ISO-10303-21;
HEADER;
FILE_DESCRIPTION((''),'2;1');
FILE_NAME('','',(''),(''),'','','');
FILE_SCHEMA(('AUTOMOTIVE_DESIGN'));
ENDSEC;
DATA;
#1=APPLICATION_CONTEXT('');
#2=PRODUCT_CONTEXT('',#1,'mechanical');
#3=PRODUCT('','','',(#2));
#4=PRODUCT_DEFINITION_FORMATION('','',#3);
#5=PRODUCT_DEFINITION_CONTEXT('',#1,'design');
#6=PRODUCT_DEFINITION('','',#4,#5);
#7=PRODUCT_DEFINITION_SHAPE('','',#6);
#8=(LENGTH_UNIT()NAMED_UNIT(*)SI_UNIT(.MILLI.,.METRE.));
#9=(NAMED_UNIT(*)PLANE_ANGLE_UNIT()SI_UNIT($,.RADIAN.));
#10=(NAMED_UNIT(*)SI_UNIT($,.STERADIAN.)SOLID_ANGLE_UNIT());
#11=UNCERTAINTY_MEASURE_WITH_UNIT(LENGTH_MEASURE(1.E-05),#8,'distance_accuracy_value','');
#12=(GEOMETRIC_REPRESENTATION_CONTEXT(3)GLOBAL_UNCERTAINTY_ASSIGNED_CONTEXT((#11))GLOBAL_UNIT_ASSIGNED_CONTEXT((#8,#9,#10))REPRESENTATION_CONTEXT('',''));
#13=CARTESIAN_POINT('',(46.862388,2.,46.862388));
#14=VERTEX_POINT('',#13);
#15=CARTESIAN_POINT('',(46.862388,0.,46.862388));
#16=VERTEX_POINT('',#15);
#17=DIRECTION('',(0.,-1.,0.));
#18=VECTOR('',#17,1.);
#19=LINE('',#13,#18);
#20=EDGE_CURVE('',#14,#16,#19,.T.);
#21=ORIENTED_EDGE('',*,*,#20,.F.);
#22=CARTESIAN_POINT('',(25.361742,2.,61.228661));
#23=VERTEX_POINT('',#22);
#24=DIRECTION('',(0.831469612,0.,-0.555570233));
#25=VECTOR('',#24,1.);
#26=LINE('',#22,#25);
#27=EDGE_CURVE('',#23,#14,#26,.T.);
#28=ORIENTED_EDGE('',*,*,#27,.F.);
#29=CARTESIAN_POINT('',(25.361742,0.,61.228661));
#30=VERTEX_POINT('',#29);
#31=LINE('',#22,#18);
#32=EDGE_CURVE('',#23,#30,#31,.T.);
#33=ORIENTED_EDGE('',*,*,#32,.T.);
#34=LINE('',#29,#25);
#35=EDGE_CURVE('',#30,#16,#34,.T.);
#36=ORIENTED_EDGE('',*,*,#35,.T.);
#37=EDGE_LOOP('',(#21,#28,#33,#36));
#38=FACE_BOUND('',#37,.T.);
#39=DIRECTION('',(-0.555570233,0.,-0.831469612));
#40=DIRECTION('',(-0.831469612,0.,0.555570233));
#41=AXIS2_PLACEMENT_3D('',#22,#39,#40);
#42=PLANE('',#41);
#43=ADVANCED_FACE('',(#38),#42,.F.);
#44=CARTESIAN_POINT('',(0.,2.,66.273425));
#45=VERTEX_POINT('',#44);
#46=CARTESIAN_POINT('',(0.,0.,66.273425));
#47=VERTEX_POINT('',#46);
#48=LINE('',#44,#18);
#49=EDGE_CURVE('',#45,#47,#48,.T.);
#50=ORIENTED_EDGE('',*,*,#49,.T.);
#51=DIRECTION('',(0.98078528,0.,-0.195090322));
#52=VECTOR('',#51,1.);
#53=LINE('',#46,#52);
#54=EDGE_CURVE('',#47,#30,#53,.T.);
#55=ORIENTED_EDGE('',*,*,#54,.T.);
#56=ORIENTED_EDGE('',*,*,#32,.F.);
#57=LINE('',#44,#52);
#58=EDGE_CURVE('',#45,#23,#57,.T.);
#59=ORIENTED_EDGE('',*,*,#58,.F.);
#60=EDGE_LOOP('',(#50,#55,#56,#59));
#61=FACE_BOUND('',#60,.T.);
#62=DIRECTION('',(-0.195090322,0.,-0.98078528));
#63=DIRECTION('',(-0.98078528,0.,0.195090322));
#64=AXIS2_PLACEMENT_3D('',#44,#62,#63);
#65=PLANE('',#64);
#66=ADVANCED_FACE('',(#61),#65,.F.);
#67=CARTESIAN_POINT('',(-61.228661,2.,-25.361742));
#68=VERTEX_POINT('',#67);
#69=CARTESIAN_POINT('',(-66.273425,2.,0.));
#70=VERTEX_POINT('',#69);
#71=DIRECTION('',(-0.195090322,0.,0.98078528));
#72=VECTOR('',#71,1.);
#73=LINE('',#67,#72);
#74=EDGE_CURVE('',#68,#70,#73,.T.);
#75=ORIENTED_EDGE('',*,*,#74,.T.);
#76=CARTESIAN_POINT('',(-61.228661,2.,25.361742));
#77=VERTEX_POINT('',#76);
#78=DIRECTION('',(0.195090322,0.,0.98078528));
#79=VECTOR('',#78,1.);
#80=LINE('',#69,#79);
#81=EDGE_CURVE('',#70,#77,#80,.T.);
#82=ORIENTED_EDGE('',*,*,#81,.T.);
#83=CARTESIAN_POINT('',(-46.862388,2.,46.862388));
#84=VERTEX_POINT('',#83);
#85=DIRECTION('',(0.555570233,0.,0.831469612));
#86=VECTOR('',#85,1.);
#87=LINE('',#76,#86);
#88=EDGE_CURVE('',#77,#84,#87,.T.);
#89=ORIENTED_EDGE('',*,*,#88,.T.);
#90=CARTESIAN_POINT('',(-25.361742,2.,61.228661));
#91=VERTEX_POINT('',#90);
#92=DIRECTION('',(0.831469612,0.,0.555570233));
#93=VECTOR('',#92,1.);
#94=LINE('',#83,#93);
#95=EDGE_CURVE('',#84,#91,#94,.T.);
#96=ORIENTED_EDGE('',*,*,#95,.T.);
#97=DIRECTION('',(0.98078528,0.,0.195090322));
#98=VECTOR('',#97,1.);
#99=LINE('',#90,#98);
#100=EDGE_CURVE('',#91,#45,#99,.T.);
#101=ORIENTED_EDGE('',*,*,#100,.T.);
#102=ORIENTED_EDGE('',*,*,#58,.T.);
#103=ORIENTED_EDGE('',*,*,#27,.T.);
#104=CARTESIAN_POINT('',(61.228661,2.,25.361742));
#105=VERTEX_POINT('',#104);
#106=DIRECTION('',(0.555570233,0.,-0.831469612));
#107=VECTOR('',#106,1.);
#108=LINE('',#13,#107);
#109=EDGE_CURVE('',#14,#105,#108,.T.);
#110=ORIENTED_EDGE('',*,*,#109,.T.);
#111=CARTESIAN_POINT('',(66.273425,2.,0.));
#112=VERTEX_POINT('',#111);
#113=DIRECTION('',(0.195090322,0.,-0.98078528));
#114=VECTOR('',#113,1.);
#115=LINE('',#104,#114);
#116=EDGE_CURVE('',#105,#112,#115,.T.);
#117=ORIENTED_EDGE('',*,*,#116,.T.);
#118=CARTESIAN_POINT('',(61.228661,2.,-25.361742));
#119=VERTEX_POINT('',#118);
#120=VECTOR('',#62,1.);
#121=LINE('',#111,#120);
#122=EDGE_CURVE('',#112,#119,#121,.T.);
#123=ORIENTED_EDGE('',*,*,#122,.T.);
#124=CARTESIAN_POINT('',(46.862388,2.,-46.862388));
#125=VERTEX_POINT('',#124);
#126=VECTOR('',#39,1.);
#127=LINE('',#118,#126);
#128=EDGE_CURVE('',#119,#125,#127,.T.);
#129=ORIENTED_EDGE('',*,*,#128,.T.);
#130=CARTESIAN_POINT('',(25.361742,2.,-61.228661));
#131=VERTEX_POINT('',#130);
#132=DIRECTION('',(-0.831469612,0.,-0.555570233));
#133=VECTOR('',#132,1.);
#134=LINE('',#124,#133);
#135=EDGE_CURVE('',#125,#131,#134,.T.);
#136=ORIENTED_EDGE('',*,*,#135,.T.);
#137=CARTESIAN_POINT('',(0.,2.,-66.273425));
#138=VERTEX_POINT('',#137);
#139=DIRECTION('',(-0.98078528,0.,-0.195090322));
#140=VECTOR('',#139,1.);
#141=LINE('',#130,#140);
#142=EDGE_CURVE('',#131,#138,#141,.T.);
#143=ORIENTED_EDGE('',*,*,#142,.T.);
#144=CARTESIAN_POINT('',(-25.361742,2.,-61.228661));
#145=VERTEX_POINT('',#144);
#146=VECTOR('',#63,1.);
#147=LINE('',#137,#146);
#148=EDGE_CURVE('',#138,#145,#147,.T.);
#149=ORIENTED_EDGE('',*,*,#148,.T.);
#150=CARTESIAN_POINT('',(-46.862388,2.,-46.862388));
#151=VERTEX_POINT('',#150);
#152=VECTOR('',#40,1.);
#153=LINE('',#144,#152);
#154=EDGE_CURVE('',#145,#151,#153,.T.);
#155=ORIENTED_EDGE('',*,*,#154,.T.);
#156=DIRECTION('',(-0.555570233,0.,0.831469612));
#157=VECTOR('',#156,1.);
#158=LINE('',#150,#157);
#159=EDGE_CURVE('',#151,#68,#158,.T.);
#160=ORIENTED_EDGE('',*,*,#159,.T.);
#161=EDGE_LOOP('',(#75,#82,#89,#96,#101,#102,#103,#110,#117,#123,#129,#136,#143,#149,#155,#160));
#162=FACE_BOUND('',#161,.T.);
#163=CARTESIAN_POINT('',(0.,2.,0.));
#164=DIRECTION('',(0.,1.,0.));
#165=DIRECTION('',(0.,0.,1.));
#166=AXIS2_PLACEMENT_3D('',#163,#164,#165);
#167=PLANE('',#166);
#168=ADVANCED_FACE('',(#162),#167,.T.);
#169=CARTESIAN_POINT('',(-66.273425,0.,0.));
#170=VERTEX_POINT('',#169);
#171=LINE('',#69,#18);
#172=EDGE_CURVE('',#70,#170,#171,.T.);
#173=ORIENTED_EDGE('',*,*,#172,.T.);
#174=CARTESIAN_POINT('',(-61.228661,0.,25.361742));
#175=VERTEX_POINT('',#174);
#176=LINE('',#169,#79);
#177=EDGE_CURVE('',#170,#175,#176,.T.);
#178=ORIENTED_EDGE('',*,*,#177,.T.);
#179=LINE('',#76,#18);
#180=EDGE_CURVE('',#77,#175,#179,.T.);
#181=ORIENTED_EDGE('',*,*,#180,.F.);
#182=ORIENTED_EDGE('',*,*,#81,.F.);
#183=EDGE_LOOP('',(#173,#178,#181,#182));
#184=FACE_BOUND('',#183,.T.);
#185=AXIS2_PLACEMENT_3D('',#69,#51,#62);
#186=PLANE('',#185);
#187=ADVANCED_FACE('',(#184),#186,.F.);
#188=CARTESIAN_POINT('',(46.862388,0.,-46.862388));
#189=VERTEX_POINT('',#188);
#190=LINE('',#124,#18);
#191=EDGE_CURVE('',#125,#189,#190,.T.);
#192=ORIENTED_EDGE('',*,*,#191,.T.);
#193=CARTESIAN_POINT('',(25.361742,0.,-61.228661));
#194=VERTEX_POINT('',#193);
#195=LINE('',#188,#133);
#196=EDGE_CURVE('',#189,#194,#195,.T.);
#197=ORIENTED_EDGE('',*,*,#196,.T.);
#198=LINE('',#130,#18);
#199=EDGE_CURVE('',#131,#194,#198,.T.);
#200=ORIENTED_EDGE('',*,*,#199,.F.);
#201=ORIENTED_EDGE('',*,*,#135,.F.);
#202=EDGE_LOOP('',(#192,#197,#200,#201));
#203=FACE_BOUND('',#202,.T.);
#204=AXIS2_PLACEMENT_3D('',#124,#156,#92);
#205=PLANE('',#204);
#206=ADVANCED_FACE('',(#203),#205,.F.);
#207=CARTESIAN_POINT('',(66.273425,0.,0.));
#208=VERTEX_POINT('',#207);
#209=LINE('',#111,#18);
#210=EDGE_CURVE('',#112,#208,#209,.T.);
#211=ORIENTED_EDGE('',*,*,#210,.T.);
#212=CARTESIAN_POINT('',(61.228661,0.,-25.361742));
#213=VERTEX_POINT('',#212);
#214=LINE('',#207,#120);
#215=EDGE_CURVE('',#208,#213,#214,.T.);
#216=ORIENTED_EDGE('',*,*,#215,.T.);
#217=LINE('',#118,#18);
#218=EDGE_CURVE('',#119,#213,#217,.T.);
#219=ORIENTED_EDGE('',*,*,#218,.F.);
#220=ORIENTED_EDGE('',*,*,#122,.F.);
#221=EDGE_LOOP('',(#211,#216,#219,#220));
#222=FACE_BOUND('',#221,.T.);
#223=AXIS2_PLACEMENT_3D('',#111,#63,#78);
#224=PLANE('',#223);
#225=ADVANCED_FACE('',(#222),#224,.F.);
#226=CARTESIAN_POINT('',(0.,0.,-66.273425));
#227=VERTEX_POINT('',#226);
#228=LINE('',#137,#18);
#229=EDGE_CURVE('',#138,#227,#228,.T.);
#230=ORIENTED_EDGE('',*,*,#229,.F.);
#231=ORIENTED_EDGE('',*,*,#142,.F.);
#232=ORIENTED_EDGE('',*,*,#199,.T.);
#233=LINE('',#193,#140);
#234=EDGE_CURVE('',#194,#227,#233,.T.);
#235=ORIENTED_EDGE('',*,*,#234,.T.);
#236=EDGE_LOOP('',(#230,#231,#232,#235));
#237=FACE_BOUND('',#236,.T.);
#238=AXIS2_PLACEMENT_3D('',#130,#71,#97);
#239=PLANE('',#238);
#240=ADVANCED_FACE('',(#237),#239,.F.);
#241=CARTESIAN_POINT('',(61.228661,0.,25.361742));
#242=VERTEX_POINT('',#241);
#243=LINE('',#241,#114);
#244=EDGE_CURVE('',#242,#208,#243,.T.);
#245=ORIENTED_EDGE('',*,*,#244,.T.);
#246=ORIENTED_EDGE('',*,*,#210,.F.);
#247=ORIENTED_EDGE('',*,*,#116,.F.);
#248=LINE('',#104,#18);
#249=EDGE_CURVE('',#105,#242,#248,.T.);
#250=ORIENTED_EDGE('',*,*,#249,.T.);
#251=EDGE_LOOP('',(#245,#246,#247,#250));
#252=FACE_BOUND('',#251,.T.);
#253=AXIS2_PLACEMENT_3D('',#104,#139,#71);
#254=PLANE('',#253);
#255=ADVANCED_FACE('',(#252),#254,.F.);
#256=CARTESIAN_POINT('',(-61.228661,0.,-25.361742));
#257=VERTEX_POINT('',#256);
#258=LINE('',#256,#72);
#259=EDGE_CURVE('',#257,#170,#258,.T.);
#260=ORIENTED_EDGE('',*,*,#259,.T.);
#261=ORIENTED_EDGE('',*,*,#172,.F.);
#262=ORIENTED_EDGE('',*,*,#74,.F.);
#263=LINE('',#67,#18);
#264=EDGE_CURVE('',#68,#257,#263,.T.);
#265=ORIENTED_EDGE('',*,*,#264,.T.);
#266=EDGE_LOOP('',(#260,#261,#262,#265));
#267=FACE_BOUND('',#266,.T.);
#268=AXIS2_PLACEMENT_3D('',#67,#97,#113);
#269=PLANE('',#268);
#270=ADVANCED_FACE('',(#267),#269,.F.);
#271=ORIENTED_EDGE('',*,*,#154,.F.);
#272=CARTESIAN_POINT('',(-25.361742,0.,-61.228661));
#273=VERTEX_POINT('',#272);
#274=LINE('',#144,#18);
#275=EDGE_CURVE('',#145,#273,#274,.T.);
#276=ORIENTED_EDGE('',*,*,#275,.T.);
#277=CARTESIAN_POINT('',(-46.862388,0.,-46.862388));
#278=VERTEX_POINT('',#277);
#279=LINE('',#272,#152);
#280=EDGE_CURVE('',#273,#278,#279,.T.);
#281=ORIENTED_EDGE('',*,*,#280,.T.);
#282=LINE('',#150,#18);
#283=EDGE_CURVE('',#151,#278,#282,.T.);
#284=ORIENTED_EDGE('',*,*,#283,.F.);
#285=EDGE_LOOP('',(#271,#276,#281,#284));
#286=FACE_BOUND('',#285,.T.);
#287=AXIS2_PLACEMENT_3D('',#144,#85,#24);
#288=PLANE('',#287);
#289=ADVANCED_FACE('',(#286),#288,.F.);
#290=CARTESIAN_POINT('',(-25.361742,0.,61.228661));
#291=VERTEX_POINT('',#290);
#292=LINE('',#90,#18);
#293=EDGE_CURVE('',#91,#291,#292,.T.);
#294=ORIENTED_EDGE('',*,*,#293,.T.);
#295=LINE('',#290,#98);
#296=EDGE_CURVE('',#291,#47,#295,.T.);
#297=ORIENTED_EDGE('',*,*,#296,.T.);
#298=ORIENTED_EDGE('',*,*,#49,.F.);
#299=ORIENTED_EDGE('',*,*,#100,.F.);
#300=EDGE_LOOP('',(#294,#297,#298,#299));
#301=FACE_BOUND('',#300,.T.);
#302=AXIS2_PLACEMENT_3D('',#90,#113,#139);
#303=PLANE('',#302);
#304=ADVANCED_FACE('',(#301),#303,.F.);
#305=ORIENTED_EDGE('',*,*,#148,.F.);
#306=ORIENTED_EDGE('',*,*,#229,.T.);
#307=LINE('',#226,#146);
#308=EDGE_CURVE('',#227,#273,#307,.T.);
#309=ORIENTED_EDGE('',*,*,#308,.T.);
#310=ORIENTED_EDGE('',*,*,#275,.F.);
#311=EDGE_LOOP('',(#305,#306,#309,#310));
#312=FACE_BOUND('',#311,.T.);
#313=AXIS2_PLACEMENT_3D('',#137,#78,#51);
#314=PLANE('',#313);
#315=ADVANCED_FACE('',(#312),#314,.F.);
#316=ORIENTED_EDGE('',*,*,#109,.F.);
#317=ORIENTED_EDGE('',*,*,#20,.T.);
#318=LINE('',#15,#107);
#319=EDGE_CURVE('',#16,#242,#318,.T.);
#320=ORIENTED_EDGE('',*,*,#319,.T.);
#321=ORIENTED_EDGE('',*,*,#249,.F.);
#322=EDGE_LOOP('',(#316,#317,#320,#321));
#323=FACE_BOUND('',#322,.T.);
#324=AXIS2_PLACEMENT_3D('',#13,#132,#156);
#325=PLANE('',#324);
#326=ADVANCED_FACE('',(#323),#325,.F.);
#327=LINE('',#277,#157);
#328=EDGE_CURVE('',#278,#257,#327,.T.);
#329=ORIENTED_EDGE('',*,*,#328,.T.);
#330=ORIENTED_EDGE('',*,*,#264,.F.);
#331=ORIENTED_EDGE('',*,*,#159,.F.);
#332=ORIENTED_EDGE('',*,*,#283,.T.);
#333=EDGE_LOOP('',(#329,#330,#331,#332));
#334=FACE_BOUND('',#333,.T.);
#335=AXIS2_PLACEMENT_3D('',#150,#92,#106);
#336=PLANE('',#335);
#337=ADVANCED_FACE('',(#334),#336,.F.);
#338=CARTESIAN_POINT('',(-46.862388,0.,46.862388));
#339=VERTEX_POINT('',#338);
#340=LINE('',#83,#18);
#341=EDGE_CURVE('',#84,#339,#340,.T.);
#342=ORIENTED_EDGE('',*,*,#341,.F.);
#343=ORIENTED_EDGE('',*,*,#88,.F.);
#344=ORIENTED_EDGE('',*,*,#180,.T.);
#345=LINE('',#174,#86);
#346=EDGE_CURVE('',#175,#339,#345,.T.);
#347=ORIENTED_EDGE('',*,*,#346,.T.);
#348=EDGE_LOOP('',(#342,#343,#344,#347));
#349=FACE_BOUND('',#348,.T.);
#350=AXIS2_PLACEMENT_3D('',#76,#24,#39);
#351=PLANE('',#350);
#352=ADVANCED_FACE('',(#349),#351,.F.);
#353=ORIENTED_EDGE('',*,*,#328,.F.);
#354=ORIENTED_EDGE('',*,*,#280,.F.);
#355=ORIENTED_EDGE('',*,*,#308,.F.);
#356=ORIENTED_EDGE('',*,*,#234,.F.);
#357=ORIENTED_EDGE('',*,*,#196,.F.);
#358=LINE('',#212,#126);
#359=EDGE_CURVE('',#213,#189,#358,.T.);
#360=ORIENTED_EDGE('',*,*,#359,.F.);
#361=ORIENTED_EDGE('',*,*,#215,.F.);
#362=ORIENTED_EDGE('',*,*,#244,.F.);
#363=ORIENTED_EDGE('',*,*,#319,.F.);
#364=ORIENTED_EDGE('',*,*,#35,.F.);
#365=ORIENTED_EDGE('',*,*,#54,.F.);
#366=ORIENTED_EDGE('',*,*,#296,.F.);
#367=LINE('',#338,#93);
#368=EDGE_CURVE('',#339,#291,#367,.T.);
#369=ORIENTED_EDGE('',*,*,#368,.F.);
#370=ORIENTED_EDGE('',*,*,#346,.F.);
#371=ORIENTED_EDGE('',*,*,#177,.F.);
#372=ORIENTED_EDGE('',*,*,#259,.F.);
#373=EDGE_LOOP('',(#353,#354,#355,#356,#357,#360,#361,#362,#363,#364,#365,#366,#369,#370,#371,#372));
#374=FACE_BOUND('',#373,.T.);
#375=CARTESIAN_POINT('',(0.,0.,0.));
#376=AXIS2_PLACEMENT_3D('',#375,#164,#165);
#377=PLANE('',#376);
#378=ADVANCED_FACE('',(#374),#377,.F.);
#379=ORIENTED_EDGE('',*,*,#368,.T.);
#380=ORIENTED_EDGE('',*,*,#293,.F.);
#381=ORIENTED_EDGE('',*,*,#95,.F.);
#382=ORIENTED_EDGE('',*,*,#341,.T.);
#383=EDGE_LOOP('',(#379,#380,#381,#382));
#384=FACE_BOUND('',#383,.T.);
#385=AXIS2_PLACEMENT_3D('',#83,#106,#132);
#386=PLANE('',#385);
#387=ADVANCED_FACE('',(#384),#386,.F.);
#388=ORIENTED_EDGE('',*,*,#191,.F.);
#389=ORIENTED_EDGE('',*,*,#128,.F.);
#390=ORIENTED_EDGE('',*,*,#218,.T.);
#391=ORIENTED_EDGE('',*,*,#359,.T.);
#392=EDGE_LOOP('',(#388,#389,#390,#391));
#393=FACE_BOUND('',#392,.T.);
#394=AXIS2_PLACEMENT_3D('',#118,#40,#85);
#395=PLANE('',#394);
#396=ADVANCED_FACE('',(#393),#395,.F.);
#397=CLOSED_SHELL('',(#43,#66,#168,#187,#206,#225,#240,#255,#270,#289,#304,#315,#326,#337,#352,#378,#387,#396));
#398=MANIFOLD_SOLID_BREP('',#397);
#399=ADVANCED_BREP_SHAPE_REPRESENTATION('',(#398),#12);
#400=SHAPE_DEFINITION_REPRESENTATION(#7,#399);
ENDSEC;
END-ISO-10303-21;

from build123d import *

# Parameters (mm, degrees)
BOSS_EXTRUDE1_DEPTH = 2


with BuildPart() as part:
    # Sketch1 → Boss-Extrude1 (new body)
    with BuildSketch(Plane(origin=(0, 0, 0), x_dir=(1, 0, 0), z_dir=(0, 1, 0))):
        Polygon((66.273425284, 0), (61.228661169, 25.361741862), (46.86238843, 46.86238843), (25.361741862, 61.228661169), (0, 66.273425284), (-25.361741862, 61.228661169), (-46.86238843, 46.86238843), (-61.228661169, 25.361741862), (-66.273425284, 0), (-61.228661169, -25.361741862), (-46.86238843, -46.86238843), (-25.361741862, -61.228661169), (0, -66.273425284), (25.361741862, -61.228661169), (46.86238843, -46.86238843), (61.228661169, -25.361741862), align=None)
    extrude(amount=BOSS_EXTRUDE1_DEPTH)


solid = part.part
